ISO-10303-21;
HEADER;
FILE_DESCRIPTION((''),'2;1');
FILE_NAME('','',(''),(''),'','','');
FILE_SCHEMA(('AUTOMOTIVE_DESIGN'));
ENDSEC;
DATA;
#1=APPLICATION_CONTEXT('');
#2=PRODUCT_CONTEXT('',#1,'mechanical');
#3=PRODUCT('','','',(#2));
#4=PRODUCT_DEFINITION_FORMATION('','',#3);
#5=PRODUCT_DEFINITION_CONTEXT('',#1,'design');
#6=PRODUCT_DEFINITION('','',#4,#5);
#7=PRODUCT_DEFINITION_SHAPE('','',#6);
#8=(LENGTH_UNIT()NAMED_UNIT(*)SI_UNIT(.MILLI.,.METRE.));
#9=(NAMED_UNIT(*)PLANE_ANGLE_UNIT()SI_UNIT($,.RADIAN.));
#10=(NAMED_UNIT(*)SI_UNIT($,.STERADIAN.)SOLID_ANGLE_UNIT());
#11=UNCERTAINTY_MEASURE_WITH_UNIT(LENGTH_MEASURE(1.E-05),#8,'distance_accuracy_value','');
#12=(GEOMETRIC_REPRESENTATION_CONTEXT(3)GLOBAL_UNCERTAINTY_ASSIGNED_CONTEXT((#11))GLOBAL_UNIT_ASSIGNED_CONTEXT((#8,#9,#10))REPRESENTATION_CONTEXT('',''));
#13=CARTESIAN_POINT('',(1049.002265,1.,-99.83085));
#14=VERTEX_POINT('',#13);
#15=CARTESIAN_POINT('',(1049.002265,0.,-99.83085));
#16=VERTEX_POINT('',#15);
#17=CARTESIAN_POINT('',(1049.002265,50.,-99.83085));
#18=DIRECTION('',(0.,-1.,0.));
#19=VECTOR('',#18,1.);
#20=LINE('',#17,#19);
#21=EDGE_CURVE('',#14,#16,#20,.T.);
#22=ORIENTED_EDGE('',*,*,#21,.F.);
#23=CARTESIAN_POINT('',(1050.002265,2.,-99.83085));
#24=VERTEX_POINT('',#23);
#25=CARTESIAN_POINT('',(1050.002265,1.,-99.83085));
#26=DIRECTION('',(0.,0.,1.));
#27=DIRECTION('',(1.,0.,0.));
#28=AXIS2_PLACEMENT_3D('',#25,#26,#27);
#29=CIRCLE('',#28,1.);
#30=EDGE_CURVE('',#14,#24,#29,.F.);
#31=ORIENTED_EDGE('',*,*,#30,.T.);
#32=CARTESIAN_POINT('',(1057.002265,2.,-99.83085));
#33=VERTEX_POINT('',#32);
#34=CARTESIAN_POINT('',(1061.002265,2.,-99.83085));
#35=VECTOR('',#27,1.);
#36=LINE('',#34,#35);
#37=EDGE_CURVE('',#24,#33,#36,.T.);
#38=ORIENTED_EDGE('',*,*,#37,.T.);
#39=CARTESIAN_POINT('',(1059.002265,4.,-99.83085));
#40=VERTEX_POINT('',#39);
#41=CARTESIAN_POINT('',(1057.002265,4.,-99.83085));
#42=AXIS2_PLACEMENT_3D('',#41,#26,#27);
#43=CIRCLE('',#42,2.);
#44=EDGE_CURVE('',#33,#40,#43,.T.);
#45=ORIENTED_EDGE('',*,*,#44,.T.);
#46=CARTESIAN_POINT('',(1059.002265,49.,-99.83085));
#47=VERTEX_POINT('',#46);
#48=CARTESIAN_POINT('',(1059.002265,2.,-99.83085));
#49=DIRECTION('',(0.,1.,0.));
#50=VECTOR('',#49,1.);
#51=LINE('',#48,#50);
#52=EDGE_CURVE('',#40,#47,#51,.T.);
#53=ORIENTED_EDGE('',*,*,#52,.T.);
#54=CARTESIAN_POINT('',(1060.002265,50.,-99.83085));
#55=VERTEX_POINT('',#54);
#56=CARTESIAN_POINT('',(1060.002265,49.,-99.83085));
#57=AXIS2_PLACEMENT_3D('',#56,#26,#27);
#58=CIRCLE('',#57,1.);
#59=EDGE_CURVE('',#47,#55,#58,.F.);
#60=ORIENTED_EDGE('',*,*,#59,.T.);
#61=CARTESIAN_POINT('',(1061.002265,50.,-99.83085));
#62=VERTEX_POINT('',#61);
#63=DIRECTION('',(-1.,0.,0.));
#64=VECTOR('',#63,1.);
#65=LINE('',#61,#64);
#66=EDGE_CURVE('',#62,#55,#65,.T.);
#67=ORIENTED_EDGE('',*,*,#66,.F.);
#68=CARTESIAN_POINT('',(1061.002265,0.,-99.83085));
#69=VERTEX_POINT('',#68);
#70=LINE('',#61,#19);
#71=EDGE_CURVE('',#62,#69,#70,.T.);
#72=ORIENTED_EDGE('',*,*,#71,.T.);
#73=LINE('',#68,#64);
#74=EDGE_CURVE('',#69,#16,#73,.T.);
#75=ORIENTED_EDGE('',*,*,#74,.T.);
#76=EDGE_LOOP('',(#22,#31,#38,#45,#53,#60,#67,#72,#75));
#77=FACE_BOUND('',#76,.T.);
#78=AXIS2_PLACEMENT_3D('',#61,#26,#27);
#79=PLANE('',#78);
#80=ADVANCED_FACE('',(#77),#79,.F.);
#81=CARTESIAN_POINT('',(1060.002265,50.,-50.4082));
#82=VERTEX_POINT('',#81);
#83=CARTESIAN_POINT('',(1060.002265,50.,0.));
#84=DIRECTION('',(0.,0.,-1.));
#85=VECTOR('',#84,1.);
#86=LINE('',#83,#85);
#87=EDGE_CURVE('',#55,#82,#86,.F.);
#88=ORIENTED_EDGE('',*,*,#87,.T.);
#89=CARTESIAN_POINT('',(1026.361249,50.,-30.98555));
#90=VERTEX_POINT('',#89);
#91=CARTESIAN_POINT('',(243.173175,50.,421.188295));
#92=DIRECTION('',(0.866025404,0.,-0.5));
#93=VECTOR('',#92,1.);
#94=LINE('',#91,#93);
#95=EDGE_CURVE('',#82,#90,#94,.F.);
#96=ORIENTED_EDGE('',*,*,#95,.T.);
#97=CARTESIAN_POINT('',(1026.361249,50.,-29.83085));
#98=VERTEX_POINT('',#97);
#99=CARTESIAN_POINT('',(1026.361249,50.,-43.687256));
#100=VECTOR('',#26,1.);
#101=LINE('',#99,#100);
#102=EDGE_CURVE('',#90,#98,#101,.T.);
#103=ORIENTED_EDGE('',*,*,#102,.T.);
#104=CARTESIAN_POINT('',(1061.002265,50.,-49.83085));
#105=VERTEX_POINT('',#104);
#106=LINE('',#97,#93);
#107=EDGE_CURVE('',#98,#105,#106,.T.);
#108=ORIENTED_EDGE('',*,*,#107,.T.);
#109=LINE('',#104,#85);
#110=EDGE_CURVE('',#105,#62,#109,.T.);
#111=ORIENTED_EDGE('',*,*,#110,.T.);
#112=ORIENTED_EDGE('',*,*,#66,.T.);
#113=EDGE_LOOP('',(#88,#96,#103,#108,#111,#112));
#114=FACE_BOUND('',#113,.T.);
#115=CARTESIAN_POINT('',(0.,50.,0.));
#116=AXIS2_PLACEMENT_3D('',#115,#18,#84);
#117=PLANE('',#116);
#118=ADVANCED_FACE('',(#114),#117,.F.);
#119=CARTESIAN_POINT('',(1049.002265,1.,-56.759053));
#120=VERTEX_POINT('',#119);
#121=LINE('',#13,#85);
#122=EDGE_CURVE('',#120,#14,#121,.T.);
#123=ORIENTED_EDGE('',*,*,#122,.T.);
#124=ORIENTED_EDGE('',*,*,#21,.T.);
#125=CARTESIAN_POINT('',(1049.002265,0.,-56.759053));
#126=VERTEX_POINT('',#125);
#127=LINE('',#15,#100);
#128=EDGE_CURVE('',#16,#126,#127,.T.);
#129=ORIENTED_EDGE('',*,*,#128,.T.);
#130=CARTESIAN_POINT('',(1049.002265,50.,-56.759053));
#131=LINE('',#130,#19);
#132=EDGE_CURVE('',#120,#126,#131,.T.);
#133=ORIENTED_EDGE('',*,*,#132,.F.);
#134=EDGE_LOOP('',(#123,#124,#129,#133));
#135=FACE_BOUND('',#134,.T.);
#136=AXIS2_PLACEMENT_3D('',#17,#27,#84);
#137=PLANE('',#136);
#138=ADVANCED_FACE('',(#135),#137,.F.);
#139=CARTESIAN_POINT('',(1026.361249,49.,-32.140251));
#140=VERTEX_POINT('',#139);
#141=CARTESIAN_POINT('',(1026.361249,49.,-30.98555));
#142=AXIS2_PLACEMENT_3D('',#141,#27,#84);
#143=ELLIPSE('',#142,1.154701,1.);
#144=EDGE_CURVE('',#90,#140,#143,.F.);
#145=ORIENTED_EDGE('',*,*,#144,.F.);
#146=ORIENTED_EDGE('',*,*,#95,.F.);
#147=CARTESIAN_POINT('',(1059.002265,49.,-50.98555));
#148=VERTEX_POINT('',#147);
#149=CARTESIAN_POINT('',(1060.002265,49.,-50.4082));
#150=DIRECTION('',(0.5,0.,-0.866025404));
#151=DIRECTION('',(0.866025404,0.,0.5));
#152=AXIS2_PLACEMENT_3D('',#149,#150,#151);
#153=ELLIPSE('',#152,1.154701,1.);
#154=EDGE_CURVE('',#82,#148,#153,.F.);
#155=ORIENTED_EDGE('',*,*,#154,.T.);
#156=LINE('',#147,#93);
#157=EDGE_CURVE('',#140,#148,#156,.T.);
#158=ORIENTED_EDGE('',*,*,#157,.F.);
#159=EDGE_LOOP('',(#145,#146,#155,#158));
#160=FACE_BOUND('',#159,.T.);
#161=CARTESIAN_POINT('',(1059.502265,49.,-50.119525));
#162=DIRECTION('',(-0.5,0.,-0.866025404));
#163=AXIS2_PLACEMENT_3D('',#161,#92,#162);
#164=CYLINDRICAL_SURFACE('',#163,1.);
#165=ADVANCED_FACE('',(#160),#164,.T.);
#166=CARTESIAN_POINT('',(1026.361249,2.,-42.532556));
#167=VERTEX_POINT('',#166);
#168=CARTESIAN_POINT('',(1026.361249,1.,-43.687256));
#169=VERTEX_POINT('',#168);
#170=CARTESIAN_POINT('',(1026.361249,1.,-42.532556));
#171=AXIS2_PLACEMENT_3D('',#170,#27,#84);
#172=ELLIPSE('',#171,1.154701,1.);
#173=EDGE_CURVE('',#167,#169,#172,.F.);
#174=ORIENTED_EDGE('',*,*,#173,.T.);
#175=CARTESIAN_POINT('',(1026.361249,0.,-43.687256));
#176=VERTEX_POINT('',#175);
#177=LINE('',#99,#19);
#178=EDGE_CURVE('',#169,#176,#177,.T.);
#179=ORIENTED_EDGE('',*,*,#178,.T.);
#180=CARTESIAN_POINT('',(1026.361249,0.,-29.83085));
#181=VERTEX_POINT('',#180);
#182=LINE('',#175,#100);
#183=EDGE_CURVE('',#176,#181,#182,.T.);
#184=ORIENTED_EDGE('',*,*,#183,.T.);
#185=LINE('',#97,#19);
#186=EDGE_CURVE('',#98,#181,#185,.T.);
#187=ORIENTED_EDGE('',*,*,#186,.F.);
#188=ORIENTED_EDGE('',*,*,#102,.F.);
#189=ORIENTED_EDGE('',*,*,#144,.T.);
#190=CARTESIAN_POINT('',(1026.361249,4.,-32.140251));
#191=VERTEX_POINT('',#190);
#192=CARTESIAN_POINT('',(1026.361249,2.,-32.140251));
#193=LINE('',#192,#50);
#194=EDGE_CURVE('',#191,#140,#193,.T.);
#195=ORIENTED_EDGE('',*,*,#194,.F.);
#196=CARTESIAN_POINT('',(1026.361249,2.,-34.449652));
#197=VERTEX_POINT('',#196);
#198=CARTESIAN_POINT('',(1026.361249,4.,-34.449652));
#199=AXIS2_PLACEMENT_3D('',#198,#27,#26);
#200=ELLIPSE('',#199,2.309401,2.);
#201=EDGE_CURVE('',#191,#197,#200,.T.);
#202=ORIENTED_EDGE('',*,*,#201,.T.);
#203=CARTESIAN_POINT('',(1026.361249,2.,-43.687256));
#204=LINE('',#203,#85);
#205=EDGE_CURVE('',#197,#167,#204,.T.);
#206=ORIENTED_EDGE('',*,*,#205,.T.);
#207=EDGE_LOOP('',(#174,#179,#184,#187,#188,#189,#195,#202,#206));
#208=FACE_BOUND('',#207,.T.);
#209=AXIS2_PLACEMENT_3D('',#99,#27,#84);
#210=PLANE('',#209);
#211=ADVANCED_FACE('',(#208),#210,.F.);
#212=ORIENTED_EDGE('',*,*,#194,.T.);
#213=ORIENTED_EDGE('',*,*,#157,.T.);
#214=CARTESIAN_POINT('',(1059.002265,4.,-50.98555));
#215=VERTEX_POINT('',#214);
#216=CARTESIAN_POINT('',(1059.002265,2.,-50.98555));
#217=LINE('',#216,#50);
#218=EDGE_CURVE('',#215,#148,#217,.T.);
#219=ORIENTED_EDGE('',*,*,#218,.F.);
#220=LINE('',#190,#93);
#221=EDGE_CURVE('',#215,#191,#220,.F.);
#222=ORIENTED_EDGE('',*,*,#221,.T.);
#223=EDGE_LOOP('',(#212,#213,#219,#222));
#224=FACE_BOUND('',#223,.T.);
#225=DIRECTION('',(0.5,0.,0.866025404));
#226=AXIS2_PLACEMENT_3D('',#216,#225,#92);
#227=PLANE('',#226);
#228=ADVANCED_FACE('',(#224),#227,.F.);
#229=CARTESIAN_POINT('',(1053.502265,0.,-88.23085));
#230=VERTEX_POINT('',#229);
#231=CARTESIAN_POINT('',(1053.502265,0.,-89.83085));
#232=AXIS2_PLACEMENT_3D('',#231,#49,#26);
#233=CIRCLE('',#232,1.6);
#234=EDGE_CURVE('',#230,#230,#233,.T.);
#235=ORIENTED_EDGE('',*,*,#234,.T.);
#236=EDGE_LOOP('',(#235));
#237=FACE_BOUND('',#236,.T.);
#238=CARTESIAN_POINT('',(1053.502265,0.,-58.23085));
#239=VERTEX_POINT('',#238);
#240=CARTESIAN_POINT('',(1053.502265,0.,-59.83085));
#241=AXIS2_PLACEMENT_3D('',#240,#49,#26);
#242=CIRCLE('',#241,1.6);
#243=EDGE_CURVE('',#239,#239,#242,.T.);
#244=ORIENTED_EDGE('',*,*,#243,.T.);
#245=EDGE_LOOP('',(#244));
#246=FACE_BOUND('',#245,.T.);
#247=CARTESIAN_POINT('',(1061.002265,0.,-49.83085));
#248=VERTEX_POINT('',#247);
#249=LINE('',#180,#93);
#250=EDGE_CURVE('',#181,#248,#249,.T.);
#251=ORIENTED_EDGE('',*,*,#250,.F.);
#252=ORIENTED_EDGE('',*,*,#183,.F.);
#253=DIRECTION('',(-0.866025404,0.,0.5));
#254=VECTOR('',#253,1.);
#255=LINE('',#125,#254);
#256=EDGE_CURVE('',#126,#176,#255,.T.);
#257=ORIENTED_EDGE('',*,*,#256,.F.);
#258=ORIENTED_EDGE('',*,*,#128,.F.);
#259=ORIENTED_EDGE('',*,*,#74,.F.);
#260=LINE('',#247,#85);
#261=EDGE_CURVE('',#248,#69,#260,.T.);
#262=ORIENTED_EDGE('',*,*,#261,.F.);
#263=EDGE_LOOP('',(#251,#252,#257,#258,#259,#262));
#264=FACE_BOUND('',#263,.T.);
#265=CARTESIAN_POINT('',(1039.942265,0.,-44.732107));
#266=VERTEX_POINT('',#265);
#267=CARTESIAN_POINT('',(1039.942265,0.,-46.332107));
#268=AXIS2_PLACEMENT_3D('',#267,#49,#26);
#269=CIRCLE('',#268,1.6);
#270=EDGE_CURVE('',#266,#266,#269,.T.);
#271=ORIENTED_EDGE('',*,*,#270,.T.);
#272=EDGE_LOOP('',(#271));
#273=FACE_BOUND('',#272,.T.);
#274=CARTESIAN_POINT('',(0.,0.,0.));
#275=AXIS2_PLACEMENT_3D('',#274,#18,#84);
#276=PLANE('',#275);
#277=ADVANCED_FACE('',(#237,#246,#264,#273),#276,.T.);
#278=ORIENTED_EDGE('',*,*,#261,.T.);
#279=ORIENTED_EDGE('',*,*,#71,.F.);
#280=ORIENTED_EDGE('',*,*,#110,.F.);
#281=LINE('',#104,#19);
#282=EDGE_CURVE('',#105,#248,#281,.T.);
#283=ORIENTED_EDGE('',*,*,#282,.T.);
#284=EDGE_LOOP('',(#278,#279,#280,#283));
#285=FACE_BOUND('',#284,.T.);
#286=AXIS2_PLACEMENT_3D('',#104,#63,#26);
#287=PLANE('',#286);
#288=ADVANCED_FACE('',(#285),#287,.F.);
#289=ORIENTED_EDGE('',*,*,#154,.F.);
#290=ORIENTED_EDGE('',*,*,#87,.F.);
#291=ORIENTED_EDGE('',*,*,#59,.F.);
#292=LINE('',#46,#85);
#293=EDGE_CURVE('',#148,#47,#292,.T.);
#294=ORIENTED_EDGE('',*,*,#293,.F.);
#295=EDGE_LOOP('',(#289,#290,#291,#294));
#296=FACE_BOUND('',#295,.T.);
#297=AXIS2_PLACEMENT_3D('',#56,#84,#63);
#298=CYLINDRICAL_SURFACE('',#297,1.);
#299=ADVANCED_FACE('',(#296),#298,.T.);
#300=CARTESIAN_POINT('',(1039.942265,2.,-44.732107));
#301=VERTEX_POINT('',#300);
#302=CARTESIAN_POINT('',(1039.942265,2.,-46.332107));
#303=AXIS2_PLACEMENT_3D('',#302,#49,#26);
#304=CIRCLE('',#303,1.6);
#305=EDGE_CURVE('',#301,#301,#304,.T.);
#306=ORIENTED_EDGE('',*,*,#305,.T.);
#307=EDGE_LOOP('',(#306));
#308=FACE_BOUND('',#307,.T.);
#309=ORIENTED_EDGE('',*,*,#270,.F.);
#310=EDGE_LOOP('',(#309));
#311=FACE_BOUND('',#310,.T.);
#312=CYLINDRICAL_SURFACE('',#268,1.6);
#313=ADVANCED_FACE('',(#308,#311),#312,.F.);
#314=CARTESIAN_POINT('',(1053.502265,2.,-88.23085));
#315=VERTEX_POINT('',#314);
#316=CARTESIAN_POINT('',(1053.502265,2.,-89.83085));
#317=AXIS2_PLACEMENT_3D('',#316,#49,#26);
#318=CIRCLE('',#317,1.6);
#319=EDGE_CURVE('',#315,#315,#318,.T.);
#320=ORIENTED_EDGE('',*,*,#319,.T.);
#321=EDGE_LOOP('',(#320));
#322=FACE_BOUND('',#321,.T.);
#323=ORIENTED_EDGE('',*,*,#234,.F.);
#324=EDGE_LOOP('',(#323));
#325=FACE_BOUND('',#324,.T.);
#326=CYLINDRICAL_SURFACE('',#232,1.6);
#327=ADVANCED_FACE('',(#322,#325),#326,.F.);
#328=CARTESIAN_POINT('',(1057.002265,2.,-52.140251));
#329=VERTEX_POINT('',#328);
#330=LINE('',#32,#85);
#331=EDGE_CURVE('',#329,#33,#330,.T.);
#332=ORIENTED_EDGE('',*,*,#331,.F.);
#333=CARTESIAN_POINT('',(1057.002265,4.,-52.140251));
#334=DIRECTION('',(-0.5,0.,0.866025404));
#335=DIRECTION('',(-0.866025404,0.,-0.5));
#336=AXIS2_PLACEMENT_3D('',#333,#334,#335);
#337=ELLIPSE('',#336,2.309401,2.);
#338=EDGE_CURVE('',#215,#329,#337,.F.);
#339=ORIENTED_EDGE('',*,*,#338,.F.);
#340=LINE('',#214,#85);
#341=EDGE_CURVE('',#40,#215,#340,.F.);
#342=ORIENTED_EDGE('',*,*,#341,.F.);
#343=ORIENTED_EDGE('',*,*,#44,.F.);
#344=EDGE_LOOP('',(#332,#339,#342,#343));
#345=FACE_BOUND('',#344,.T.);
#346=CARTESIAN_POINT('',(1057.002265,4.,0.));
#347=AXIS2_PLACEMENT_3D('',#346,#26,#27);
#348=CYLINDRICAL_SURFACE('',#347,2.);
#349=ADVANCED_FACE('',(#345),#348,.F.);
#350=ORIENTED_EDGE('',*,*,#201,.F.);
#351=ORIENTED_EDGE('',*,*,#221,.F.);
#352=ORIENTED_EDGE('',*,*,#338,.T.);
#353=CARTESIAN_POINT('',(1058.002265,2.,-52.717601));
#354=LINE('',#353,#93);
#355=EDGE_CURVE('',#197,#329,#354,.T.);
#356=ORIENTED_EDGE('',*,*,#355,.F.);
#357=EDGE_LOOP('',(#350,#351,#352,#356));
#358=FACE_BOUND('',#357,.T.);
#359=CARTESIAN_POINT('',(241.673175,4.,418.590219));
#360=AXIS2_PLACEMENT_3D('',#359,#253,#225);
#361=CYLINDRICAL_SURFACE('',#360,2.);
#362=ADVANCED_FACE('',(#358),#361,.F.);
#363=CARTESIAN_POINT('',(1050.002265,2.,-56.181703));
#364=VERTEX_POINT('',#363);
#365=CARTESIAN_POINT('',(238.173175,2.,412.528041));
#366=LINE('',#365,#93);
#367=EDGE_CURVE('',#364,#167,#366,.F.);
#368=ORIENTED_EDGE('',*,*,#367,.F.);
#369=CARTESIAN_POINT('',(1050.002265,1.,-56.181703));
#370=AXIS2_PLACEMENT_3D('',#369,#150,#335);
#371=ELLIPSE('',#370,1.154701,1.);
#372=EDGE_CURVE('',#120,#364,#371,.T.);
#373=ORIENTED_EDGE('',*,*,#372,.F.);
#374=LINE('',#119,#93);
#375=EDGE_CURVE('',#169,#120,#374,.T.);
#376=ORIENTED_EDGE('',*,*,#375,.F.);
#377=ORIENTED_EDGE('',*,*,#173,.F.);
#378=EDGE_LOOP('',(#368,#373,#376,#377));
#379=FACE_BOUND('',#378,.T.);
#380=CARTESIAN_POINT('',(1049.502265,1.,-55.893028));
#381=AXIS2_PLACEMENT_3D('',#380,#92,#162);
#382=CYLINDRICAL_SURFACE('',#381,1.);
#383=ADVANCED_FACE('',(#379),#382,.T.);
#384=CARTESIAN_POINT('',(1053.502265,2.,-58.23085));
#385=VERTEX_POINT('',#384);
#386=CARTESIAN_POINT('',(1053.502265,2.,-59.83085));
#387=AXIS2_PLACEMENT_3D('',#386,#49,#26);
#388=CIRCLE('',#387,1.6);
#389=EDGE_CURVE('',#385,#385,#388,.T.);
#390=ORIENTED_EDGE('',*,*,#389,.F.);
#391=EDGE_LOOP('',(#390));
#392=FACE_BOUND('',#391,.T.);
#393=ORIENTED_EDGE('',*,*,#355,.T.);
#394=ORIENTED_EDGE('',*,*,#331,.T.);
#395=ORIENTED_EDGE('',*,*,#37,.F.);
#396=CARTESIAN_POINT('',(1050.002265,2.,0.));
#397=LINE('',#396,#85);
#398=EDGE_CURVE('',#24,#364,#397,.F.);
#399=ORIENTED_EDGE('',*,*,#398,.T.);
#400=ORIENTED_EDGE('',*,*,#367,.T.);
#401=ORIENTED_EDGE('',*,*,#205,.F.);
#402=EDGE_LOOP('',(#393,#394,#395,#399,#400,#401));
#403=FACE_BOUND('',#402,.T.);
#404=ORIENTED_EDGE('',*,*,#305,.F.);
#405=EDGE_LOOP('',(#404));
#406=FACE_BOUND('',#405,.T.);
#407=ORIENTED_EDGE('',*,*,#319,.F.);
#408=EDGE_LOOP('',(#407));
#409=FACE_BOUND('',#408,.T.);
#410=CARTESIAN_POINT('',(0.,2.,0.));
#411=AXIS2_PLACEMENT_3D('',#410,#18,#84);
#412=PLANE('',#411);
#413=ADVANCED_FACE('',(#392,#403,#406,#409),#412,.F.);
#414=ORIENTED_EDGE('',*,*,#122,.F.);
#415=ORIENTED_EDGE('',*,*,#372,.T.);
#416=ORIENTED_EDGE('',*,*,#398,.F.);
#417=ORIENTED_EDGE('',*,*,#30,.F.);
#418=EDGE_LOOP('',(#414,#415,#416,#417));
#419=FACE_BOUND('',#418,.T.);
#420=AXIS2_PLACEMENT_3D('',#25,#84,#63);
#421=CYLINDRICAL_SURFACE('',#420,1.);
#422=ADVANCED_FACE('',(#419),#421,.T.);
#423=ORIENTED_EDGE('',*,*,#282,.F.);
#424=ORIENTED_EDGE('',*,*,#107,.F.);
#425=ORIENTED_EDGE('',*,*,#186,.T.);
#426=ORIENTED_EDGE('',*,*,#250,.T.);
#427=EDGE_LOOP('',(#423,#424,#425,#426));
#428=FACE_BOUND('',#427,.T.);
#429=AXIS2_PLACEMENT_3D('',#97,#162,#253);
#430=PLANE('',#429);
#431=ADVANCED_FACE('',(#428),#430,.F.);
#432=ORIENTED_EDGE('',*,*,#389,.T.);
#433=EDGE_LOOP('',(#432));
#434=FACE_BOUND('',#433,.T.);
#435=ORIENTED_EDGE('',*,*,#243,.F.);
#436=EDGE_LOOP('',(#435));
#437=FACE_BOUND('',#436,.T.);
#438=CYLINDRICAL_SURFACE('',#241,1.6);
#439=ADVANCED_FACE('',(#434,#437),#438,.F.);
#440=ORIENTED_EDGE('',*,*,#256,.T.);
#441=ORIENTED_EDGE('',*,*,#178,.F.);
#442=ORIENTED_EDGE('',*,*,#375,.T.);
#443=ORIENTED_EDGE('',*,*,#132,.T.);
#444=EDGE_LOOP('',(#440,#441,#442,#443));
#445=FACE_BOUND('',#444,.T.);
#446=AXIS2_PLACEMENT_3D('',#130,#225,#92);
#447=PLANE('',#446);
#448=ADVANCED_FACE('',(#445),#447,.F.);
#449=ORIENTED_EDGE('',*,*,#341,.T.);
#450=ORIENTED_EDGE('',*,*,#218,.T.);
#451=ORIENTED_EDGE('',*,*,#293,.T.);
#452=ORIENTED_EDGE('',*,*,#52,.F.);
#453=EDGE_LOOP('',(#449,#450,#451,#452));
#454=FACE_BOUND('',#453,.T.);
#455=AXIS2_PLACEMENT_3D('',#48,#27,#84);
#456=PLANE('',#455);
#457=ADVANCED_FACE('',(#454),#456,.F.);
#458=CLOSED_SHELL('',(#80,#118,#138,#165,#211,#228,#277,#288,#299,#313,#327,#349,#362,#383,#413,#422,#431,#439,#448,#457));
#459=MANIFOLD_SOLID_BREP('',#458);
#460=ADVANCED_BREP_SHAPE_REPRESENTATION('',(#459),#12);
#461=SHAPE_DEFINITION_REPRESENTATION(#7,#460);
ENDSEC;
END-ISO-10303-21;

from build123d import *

# Parameters (mm, degrees)
BOSS_EXTRUDE1_DEPTH = 50
CUT_EXTRUDE1_DEPTH  = 48
FILLET1_R           = 1
FILLET2_R           = 2
SKETCH3_R           = 1.6
CUT_EXTRUDE2_DEPTH  = 1067.768955656


with BuildPart() as part:
    # Sketch1 → Boss-Extrude1 (new body)
    with BuildSketch(Plane(origin=(0, 0, 0), x_dir=(1, 0, 0), z_dir=(0, 1, 0))):
        Polygon((1026.361248777, 29.83084978), (1061.002264928, 49.83084978), (1061.002264928, 99.83084978), (1049.002264928, 99.83084978), (1049.002264928, 56.75905301), (1026.361248777, 43.68725624), align=None)
    extrude(amount=BOSS_EXTRUDE1_DEPTH)

    # Sketch2 → Cut-Extrude1 (cut)
    with BuildSketch(Plane(origin=(0, 50, 0), x_dir=(1, 0, 0), z_dir=(0, 1, 0))):
        Polygon((1059.002264928, 99.83084978), (1059.002264928, 50.985550318), (1026.361248777, 32.140250857), (1013.240003321, 83.162287717), (1049.002264928, 102.282604927), align=None)
    extrude(amount=-CUT_EXTRUDE1_DEPTH, mode=Mode.SUBTRACT)

    # Fillet1
    fillet1_edges = [part.edges().sort_by_distance(p)[0] for p in [
        (1037.681756852, 2, -50.223154625),
        (1049.002264928, 2, -78.294951395),
        (1042.681756852, 50, -41.562900587),
        (1059.002264928, 50, -75.408200049),
    ]]
    fillet(fillet1_edges, radius=FILLET1_R)

    # Fillet2
    fillet2_edges = [part.edges().sort_by_distance(p)[0] for p in [
        (1059.002264928, 2, -75.408200049),
        (1042.681756852, 2, -41.562900587),
    ]]
    fillet(fillet2_edges, radius=FILLET2_R)

    # Sketch3 → Cut-Extrude2 (cut, through all)
    with BuildSketch(Plane(origin=(0, 2, 0), x_dir=(1, 0, 0), z_dir=(0, 1, 0))):
        with Locations(Location((1039.942264928, 46.332107148, 0), (0, 0, 270))):
            Circle(SKETCH3_R)
        with Locations(Location((1053.502264928, 59.83084978, 0), (0, 0, 270))):
            Circle(SKETCH3_R)
        with Locations(Location((1053.502264928, 89.83084978, 0), (0, 0, 270))):
            Circle(SKETCH3_R)
    extrude(amount=-CUT_EXTRUDE2_DEPTH, mode=Mode.SUBTRACT)


solid = part.part
